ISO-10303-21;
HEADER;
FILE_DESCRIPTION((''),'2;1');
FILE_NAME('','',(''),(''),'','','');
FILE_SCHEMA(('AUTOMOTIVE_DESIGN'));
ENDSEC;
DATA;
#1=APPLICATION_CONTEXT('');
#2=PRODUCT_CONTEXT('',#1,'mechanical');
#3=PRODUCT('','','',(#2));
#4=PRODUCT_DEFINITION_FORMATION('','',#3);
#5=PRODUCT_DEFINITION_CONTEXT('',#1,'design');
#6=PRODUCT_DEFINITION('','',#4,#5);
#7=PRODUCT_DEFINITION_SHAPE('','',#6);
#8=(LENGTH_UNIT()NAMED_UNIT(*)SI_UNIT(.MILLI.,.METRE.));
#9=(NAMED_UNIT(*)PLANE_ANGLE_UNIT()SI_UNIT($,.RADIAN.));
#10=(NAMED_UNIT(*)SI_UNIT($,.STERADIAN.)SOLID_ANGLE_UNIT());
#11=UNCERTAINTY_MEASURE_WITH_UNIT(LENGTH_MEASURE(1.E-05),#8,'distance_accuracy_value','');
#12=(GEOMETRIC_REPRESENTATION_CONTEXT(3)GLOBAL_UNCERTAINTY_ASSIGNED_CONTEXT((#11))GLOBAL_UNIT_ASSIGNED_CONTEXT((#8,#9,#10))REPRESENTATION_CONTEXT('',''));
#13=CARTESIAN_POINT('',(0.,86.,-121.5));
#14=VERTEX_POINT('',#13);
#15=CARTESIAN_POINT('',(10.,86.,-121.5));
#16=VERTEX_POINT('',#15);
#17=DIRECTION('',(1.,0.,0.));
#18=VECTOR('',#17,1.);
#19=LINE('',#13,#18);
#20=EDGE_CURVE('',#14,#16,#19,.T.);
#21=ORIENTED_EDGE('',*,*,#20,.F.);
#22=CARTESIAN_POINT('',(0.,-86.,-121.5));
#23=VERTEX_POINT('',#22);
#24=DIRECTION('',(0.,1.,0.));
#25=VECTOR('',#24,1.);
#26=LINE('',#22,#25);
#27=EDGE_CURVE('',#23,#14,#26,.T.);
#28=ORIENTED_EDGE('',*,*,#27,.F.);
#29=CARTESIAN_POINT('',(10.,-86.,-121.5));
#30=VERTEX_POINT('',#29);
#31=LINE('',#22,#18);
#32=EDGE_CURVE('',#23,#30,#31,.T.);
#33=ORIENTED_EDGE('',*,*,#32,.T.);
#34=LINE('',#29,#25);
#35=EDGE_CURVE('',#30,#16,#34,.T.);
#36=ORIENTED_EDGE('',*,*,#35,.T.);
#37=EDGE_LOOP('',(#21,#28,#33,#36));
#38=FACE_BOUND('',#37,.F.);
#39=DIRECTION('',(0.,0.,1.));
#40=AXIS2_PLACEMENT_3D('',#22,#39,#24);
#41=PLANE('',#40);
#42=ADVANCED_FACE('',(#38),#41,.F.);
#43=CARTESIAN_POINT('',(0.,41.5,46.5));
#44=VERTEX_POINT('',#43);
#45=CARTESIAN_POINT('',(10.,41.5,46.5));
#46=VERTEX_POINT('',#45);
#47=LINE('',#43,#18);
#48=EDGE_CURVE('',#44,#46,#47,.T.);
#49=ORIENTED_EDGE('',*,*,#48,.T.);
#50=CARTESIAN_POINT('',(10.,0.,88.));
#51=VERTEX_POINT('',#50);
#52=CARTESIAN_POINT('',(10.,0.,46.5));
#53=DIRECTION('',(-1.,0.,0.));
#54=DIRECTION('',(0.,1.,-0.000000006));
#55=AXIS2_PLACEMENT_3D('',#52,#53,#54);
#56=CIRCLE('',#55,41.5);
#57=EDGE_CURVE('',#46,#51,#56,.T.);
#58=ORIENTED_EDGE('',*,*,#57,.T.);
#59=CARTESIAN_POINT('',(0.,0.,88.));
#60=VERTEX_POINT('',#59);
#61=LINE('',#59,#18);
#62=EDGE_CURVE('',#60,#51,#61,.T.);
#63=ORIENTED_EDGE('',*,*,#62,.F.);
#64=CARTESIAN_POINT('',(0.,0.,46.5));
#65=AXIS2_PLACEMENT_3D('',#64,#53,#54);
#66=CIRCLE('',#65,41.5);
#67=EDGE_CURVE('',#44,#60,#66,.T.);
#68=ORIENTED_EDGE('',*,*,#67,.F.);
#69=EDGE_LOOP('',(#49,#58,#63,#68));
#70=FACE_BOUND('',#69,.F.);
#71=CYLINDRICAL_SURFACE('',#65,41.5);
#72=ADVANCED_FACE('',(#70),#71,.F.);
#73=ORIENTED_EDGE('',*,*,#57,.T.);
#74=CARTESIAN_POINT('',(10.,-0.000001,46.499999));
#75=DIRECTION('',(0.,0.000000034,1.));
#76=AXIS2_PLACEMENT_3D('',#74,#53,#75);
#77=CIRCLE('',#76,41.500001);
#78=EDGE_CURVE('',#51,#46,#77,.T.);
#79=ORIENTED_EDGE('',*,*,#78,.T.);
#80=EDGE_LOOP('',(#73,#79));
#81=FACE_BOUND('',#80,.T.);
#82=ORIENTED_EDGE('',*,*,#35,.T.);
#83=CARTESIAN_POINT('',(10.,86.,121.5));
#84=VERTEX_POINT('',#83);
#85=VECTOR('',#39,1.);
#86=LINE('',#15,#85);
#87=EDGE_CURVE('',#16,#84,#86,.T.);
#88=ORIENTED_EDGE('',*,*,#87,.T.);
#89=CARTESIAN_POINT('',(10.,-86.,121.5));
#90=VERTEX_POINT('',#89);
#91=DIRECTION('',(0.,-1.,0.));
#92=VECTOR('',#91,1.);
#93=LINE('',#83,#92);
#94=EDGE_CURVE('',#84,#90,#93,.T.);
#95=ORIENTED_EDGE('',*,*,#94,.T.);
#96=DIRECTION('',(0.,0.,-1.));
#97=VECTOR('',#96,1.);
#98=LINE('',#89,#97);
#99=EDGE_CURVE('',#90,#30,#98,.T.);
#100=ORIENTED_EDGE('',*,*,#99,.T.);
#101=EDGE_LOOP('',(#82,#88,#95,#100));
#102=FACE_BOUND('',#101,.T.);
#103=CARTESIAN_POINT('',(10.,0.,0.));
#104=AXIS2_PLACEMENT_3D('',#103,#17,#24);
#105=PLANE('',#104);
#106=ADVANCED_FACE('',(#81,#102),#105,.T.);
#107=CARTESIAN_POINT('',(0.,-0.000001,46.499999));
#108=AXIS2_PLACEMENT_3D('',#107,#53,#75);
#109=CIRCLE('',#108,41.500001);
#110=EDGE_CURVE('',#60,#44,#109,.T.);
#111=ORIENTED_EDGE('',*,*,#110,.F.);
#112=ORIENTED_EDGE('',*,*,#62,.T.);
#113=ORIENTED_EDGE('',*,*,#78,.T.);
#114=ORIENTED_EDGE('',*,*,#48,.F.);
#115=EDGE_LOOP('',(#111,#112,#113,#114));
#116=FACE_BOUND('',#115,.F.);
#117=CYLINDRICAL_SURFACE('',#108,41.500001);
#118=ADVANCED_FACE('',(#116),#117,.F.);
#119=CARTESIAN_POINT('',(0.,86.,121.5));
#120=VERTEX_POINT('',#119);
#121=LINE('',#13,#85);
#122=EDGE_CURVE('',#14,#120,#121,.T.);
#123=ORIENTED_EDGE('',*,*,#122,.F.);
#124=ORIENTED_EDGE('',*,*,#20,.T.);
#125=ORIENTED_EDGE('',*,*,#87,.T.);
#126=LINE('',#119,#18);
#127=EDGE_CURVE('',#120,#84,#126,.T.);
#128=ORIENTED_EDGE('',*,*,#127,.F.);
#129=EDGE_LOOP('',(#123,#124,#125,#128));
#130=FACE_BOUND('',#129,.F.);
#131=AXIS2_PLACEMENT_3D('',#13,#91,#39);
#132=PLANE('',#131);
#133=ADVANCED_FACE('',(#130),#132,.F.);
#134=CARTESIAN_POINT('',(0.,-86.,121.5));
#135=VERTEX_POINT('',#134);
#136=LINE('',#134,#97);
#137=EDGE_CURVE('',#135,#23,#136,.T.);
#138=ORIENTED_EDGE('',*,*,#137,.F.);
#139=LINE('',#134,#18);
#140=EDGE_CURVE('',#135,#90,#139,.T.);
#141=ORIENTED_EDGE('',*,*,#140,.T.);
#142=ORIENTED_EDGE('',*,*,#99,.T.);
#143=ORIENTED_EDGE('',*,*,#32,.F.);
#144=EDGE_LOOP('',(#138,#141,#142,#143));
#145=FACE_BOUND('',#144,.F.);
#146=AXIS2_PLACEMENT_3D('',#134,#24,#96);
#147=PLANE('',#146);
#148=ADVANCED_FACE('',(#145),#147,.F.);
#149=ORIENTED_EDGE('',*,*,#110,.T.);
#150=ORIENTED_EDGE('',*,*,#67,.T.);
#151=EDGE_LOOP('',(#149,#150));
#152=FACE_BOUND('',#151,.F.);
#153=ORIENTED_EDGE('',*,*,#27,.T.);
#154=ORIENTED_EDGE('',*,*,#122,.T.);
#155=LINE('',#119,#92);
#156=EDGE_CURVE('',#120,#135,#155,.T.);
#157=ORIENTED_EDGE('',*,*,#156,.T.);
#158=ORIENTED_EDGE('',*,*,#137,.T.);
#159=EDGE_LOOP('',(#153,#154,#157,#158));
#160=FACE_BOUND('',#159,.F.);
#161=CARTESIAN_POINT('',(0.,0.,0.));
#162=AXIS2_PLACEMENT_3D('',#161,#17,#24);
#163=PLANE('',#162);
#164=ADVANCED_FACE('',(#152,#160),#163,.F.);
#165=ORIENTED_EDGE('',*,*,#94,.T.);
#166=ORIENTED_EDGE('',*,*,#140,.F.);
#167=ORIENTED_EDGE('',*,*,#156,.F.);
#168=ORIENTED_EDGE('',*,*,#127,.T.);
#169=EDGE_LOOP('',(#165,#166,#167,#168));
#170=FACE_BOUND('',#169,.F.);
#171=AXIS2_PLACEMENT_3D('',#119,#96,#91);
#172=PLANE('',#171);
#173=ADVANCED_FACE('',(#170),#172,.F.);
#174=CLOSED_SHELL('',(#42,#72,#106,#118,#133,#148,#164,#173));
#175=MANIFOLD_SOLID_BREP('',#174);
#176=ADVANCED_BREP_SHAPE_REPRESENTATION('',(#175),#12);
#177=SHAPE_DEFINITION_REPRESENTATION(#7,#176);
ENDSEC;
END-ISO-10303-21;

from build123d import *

# Parameters (mm, degrees)
F1_DEPTH = 10


with BuildPart() as f1:
    # F0 (on Right) → F1 (new body)
    with BuildSketch(Plane.YZ):
        Polygon((86, -121.5), (86, 121.5), (0, 121.5), (-86, 121.5), (-86, -121.5), align=None)
        with BuildLine():
            ThreePointArc((41.5, 46.5), (-29.344931, 17.155069), (0, 88))
            ThreePointArc((0, 88), (29.344931, 75.844931), (41.5, 46.5))
        make_face(mode=Mode.SUBTRACT)
    extrude(amount=F1_DEPTH)


solid = f1.part
